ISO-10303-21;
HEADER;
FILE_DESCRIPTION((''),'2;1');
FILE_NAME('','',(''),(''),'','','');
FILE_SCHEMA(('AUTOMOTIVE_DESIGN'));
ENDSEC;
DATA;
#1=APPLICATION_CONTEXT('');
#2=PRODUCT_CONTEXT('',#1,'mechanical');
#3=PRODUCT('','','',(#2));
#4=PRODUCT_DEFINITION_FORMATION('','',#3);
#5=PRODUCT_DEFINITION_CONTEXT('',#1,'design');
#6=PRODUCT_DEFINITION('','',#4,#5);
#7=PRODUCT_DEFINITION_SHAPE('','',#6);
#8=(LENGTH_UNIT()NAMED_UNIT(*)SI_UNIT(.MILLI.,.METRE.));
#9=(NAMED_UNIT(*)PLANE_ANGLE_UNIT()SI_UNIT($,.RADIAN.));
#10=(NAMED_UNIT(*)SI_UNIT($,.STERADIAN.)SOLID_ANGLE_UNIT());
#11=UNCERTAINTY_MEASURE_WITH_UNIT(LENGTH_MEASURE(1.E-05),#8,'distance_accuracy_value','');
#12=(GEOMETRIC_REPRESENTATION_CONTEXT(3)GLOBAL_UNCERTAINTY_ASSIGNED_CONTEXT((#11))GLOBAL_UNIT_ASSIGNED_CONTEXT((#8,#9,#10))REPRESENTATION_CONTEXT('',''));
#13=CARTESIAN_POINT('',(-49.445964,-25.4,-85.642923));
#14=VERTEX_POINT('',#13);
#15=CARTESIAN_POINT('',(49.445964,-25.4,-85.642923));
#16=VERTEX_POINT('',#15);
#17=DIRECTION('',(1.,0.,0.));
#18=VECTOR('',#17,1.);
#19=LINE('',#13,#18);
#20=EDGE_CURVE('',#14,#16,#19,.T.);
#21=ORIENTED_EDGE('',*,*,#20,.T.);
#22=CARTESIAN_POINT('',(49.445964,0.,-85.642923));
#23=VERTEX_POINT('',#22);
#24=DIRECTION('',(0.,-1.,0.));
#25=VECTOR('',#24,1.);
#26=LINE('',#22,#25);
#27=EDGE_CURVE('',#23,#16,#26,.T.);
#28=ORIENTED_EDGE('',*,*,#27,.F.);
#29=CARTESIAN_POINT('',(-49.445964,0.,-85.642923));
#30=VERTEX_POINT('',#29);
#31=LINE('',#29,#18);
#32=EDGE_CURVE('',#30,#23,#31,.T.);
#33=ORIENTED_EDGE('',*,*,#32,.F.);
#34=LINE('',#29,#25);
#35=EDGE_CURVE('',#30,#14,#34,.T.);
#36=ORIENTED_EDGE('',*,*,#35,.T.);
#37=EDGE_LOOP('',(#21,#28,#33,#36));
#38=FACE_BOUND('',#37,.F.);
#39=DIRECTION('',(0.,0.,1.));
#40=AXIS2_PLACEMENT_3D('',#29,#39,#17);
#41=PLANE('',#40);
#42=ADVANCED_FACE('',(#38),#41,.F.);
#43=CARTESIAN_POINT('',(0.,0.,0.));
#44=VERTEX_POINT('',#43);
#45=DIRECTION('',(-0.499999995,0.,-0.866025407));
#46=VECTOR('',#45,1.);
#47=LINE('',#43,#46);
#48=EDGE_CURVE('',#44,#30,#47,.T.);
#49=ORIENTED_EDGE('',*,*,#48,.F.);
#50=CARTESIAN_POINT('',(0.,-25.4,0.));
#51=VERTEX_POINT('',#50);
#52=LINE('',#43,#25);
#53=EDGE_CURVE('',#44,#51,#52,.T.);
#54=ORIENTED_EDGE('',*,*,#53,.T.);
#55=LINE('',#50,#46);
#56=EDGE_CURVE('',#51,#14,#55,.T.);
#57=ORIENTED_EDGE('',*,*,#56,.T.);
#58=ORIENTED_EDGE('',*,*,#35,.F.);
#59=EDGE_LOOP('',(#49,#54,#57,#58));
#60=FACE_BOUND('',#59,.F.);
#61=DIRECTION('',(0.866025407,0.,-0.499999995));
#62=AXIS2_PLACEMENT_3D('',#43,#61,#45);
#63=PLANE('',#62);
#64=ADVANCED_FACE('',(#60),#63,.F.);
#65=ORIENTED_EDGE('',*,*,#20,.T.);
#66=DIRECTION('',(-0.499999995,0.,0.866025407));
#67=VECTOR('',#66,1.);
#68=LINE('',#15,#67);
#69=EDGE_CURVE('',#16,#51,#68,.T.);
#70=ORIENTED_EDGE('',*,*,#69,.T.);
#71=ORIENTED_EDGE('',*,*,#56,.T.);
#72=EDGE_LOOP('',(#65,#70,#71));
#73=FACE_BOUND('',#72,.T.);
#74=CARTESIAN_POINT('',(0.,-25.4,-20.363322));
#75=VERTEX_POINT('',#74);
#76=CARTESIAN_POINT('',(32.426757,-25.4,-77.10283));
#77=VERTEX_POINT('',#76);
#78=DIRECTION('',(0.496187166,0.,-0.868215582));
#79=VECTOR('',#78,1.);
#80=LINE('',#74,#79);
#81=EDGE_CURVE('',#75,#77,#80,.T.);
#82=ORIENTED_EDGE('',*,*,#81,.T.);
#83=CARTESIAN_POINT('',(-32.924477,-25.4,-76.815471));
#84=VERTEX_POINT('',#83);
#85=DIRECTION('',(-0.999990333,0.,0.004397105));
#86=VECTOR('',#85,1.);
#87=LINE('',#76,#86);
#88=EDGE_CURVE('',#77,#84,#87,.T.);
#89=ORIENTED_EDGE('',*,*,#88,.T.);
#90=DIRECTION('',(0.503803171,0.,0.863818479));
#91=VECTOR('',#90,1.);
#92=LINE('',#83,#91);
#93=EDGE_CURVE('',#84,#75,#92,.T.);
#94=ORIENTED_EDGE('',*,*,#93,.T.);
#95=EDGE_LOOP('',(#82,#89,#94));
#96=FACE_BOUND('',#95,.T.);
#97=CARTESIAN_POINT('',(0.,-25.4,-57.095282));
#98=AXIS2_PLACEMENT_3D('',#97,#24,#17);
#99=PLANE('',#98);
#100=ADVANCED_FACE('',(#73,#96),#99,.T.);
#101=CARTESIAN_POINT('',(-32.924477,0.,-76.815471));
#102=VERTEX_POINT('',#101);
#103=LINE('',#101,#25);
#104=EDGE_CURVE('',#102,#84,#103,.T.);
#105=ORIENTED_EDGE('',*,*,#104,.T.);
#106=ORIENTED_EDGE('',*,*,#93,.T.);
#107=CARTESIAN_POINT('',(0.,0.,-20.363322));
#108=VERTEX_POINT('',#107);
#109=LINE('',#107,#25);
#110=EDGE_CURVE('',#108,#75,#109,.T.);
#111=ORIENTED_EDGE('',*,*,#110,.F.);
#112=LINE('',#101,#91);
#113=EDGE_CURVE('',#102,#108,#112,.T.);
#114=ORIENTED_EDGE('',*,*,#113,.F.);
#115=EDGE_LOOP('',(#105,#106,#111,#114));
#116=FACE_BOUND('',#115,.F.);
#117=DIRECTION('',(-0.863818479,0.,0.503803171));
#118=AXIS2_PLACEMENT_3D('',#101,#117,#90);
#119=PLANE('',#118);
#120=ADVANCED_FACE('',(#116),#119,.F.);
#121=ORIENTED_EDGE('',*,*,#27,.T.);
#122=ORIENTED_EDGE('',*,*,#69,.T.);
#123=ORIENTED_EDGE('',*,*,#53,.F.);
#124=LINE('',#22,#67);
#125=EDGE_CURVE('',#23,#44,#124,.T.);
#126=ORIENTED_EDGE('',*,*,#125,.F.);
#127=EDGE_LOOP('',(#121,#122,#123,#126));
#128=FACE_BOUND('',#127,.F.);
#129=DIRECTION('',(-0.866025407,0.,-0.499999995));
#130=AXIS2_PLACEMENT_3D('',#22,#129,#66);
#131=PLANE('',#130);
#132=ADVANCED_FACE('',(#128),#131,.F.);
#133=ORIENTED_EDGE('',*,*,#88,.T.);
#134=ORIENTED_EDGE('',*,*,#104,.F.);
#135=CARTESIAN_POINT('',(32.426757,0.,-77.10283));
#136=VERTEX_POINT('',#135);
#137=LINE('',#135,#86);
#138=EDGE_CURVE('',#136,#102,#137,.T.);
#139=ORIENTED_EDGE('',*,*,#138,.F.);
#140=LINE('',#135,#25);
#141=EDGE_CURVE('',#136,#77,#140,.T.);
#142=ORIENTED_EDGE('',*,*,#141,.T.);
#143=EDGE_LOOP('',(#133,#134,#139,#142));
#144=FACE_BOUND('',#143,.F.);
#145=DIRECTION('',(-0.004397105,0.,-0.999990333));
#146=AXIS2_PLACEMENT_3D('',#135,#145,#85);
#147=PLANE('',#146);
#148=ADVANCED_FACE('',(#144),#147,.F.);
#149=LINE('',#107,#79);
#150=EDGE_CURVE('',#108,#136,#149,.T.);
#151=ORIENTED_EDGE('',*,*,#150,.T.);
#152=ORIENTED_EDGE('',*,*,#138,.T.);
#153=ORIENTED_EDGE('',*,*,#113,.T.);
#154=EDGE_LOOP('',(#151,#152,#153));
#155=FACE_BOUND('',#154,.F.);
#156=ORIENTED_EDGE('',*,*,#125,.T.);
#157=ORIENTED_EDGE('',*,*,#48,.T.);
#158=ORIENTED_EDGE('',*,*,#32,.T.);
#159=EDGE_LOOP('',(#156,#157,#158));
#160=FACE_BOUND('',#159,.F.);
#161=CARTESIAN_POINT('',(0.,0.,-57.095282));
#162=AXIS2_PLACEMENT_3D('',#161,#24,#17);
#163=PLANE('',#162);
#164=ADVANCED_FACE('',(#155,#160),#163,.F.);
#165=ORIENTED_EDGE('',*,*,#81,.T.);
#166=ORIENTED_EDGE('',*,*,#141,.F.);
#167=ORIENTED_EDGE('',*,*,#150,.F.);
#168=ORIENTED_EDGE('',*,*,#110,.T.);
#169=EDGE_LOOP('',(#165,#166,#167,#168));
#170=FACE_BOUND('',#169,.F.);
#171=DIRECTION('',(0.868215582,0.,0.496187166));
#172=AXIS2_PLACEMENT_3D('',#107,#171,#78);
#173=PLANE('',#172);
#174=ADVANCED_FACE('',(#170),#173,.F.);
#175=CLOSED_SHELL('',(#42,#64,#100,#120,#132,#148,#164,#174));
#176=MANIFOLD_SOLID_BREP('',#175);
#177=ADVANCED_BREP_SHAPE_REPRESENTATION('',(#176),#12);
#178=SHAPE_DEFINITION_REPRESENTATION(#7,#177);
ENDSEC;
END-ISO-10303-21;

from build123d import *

# Parameters (mm, degrees)
F1_DEPTH = 25.4


with BuildPart() as f1:
    # F0 (on Front) → F1 (new body)
    with BuildSketch(Plane.XZ):
        Polygon((49.445964, -85.642923), (0, 0), (-49.445964, -85.642923), align=None)
        Polygon((32.426757, -77.10283), (-32.924477, -76.815471), (0, -20.363322), align=None, mode=Mode.SUBTRACT)
    extrude(amount=F1_DEPTH)


solid = f1.part
